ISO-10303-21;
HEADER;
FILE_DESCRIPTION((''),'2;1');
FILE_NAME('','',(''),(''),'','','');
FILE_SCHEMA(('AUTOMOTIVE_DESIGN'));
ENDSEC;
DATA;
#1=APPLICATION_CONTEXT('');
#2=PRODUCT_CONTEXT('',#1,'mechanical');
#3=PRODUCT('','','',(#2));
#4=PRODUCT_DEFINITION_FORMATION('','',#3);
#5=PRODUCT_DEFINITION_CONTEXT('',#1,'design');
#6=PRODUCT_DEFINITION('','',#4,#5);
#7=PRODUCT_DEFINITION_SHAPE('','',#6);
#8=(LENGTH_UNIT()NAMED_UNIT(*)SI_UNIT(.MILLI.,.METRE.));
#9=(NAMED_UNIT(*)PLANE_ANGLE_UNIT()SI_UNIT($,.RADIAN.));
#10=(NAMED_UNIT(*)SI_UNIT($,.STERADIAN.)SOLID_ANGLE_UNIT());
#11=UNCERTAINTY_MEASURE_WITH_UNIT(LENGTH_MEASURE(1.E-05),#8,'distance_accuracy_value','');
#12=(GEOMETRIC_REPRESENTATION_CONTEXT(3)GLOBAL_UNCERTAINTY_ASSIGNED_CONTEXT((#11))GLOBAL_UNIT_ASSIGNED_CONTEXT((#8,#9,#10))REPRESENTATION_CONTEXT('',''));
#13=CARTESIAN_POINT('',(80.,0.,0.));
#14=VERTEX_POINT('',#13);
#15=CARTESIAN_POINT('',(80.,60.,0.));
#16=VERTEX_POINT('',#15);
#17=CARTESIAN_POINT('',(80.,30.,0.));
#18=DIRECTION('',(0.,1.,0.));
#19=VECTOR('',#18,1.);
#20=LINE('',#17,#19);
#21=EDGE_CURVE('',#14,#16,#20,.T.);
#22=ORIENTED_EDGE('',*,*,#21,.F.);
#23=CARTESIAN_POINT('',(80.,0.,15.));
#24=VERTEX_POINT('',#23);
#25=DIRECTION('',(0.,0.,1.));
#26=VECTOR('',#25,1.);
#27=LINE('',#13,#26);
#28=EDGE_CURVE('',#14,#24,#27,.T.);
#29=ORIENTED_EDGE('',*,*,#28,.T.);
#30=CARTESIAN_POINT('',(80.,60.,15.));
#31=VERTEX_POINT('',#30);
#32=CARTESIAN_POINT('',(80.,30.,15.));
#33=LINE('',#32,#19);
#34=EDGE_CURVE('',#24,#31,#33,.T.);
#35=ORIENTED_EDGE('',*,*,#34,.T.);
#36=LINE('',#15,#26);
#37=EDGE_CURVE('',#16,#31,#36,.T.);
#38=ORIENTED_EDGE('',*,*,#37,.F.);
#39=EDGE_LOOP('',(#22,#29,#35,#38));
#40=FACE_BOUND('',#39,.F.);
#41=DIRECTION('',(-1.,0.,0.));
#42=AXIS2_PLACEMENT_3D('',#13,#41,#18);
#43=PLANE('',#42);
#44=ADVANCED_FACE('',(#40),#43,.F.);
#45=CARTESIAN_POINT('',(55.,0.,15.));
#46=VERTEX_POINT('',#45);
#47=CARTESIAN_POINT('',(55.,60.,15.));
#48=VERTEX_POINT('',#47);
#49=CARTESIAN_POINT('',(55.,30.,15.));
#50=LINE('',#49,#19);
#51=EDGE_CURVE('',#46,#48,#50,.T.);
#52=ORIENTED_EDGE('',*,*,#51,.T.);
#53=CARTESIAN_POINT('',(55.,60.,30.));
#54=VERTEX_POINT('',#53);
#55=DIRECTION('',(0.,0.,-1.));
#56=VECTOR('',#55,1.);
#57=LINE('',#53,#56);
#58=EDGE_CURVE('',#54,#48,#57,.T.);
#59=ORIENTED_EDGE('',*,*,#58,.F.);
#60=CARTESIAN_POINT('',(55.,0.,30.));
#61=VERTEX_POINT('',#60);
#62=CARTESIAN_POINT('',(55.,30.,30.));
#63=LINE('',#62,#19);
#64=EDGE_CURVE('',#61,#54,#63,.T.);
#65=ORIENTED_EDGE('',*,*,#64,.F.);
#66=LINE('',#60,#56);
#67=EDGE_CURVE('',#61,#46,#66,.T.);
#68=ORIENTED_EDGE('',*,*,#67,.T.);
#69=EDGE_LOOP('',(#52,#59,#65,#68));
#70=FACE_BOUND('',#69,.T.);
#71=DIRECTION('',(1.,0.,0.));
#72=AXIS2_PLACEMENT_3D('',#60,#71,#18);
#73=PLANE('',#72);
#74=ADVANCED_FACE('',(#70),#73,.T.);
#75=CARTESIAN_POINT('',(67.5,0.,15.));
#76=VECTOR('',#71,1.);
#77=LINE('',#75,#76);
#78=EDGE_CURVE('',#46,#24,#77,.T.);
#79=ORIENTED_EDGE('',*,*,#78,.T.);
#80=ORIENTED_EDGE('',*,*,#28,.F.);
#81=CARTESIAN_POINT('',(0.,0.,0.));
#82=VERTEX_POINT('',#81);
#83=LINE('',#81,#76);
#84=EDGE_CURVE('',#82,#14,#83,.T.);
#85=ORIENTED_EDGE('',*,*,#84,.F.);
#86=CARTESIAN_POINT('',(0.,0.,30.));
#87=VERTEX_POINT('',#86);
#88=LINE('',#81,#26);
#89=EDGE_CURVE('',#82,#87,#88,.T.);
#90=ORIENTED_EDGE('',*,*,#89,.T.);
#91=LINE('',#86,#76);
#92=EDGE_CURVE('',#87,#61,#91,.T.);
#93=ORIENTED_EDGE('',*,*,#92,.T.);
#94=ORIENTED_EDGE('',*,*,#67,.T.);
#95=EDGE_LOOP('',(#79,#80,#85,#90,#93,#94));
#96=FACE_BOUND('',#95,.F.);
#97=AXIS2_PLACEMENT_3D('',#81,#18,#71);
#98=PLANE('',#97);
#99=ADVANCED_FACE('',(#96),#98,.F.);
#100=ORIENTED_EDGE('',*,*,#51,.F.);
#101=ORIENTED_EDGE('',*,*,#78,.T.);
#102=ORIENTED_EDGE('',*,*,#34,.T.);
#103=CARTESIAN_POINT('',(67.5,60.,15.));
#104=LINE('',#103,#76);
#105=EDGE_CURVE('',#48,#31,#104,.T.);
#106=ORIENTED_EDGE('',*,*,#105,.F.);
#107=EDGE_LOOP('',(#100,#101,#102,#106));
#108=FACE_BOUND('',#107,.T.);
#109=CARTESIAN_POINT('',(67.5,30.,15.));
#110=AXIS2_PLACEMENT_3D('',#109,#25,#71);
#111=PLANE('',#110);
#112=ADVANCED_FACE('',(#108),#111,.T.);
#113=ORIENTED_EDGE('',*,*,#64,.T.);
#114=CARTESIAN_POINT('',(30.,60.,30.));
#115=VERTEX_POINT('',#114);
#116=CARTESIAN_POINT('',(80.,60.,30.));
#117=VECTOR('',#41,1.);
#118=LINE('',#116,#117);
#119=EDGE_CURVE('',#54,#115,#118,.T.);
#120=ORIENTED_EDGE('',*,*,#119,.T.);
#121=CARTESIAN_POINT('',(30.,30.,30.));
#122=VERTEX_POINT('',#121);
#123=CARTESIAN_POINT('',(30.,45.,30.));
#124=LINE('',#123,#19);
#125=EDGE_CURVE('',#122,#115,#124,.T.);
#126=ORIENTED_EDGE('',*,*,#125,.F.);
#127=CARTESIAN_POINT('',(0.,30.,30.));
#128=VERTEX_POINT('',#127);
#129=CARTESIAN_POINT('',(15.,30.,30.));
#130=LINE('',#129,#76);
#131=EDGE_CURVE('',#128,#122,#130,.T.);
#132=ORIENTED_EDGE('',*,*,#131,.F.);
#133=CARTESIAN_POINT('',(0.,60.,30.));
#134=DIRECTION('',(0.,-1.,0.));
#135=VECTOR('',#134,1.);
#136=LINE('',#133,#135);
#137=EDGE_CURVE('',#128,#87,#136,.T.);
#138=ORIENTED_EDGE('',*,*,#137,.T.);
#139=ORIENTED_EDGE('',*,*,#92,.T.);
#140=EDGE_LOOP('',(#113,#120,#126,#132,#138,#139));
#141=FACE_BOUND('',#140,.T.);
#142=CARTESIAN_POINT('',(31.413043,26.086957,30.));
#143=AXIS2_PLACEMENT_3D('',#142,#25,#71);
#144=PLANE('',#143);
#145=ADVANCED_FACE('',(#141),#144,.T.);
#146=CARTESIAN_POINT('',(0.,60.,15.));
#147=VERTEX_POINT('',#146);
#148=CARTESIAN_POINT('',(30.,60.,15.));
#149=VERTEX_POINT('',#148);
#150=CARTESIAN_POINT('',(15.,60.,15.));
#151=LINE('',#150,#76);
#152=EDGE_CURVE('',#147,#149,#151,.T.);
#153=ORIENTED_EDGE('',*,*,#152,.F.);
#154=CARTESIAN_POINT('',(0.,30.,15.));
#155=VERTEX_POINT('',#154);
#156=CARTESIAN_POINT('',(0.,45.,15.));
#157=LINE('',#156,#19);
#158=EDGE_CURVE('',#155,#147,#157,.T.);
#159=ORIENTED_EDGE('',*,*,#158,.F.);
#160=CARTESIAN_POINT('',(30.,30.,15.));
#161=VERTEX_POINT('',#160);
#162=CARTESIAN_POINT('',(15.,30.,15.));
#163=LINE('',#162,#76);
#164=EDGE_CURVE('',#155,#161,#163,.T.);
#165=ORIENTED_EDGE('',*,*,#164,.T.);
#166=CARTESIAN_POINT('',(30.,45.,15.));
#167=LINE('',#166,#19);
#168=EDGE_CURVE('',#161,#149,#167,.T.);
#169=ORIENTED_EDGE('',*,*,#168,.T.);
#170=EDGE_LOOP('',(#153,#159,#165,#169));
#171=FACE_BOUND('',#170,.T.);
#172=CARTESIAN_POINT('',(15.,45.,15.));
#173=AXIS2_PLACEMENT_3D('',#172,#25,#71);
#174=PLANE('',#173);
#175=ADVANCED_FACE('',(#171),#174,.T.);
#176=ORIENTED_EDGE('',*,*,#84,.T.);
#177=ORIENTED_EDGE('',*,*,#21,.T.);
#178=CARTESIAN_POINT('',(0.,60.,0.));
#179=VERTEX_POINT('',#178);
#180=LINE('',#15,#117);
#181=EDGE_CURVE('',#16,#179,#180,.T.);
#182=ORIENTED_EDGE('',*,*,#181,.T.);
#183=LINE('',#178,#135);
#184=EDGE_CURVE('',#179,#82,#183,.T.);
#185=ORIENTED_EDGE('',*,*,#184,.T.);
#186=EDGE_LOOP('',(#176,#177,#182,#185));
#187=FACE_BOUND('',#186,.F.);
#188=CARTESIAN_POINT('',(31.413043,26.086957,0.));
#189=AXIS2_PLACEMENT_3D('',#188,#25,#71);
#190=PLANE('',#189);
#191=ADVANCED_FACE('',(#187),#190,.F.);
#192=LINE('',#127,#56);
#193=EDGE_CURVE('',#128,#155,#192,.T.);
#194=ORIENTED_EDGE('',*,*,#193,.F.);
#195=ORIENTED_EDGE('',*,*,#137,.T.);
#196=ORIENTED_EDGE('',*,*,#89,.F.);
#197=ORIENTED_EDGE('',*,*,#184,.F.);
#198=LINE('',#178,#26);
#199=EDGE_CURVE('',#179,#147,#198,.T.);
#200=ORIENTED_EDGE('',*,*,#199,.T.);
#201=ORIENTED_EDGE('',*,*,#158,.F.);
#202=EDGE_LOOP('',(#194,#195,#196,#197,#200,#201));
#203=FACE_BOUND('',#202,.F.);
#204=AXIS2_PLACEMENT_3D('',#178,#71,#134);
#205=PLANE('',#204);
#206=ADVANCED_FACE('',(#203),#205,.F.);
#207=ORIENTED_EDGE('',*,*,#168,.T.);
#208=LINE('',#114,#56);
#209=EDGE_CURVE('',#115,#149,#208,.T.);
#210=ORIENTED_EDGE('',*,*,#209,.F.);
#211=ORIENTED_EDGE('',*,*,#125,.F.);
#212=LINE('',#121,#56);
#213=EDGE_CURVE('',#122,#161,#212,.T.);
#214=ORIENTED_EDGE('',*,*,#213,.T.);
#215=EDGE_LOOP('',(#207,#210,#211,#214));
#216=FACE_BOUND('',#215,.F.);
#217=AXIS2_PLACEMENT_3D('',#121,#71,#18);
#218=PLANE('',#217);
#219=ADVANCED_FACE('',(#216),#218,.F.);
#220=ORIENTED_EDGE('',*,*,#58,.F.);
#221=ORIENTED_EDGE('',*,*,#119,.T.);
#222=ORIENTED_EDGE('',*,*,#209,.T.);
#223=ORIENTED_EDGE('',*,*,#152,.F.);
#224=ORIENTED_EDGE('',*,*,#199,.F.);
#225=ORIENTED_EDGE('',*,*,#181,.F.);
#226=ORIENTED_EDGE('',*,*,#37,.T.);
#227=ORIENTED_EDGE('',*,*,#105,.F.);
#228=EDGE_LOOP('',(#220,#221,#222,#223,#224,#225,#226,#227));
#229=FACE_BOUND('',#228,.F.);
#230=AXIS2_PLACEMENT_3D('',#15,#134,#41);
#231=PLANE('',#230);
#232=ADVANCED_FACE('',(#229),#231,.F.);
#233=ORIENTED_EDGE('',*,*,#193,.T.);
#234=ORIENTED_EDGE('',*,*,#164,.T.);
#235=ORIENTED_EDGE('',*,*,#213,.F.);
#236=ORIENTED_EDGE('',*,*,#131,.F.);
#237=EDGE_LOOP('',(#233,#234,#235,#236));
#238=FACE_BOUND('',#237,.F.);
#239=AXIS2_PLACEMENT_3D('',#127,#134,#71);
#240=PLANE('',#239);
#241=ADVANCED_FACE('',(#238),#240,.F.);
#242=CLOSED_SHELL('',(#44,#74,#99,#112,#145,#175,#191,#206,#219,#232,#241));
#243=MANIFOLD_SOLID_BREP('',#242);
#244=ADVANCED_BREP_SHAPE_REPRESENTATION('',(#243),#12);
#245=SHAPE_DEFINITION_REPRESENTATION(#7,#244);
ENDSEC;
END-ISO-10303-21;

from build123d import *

# Parameters (mm, degrees)
F0_W     = 30
F0_H     = 30
F0_W_2   = 25
F0_H_2   = 60
F1_DEPTH = 30
F2_W     = 30
F2_H     = 30
F2_W_2   = 25
F2_H_2   = 60
F3_DEPTH = 15


with BuildPart() as f1:
    # F0 (on Top) → F1 (new body)
    with BuildSketch(Plane.XY):
        Polygon((0, 30), (0, 0), (55, 0), (55, 60), (30, 60), (30, 30), align=None)
        with Locations((15, 45)):
            Rectangle(F0_W, F0_H)
        with Locations((67.5, 30)):
            Rectangle(F0_W_2, F0_H_2)
    extrude(amount=F1_DEPTH)

    # F2 (on face) → F3 (cut)
    with BuildSketch(Plane.XY.offset(30)):
        with Locations((15, 45)):
            Rectangle(F2_W, F2_H)
        with Locations((67.5, 30)):
            Rectangle(F2_W_2, F2_H_2)
    extrude(amount=-F3_DEPTH, mode=Mode.SUBTRACT)


solid = f1.part
